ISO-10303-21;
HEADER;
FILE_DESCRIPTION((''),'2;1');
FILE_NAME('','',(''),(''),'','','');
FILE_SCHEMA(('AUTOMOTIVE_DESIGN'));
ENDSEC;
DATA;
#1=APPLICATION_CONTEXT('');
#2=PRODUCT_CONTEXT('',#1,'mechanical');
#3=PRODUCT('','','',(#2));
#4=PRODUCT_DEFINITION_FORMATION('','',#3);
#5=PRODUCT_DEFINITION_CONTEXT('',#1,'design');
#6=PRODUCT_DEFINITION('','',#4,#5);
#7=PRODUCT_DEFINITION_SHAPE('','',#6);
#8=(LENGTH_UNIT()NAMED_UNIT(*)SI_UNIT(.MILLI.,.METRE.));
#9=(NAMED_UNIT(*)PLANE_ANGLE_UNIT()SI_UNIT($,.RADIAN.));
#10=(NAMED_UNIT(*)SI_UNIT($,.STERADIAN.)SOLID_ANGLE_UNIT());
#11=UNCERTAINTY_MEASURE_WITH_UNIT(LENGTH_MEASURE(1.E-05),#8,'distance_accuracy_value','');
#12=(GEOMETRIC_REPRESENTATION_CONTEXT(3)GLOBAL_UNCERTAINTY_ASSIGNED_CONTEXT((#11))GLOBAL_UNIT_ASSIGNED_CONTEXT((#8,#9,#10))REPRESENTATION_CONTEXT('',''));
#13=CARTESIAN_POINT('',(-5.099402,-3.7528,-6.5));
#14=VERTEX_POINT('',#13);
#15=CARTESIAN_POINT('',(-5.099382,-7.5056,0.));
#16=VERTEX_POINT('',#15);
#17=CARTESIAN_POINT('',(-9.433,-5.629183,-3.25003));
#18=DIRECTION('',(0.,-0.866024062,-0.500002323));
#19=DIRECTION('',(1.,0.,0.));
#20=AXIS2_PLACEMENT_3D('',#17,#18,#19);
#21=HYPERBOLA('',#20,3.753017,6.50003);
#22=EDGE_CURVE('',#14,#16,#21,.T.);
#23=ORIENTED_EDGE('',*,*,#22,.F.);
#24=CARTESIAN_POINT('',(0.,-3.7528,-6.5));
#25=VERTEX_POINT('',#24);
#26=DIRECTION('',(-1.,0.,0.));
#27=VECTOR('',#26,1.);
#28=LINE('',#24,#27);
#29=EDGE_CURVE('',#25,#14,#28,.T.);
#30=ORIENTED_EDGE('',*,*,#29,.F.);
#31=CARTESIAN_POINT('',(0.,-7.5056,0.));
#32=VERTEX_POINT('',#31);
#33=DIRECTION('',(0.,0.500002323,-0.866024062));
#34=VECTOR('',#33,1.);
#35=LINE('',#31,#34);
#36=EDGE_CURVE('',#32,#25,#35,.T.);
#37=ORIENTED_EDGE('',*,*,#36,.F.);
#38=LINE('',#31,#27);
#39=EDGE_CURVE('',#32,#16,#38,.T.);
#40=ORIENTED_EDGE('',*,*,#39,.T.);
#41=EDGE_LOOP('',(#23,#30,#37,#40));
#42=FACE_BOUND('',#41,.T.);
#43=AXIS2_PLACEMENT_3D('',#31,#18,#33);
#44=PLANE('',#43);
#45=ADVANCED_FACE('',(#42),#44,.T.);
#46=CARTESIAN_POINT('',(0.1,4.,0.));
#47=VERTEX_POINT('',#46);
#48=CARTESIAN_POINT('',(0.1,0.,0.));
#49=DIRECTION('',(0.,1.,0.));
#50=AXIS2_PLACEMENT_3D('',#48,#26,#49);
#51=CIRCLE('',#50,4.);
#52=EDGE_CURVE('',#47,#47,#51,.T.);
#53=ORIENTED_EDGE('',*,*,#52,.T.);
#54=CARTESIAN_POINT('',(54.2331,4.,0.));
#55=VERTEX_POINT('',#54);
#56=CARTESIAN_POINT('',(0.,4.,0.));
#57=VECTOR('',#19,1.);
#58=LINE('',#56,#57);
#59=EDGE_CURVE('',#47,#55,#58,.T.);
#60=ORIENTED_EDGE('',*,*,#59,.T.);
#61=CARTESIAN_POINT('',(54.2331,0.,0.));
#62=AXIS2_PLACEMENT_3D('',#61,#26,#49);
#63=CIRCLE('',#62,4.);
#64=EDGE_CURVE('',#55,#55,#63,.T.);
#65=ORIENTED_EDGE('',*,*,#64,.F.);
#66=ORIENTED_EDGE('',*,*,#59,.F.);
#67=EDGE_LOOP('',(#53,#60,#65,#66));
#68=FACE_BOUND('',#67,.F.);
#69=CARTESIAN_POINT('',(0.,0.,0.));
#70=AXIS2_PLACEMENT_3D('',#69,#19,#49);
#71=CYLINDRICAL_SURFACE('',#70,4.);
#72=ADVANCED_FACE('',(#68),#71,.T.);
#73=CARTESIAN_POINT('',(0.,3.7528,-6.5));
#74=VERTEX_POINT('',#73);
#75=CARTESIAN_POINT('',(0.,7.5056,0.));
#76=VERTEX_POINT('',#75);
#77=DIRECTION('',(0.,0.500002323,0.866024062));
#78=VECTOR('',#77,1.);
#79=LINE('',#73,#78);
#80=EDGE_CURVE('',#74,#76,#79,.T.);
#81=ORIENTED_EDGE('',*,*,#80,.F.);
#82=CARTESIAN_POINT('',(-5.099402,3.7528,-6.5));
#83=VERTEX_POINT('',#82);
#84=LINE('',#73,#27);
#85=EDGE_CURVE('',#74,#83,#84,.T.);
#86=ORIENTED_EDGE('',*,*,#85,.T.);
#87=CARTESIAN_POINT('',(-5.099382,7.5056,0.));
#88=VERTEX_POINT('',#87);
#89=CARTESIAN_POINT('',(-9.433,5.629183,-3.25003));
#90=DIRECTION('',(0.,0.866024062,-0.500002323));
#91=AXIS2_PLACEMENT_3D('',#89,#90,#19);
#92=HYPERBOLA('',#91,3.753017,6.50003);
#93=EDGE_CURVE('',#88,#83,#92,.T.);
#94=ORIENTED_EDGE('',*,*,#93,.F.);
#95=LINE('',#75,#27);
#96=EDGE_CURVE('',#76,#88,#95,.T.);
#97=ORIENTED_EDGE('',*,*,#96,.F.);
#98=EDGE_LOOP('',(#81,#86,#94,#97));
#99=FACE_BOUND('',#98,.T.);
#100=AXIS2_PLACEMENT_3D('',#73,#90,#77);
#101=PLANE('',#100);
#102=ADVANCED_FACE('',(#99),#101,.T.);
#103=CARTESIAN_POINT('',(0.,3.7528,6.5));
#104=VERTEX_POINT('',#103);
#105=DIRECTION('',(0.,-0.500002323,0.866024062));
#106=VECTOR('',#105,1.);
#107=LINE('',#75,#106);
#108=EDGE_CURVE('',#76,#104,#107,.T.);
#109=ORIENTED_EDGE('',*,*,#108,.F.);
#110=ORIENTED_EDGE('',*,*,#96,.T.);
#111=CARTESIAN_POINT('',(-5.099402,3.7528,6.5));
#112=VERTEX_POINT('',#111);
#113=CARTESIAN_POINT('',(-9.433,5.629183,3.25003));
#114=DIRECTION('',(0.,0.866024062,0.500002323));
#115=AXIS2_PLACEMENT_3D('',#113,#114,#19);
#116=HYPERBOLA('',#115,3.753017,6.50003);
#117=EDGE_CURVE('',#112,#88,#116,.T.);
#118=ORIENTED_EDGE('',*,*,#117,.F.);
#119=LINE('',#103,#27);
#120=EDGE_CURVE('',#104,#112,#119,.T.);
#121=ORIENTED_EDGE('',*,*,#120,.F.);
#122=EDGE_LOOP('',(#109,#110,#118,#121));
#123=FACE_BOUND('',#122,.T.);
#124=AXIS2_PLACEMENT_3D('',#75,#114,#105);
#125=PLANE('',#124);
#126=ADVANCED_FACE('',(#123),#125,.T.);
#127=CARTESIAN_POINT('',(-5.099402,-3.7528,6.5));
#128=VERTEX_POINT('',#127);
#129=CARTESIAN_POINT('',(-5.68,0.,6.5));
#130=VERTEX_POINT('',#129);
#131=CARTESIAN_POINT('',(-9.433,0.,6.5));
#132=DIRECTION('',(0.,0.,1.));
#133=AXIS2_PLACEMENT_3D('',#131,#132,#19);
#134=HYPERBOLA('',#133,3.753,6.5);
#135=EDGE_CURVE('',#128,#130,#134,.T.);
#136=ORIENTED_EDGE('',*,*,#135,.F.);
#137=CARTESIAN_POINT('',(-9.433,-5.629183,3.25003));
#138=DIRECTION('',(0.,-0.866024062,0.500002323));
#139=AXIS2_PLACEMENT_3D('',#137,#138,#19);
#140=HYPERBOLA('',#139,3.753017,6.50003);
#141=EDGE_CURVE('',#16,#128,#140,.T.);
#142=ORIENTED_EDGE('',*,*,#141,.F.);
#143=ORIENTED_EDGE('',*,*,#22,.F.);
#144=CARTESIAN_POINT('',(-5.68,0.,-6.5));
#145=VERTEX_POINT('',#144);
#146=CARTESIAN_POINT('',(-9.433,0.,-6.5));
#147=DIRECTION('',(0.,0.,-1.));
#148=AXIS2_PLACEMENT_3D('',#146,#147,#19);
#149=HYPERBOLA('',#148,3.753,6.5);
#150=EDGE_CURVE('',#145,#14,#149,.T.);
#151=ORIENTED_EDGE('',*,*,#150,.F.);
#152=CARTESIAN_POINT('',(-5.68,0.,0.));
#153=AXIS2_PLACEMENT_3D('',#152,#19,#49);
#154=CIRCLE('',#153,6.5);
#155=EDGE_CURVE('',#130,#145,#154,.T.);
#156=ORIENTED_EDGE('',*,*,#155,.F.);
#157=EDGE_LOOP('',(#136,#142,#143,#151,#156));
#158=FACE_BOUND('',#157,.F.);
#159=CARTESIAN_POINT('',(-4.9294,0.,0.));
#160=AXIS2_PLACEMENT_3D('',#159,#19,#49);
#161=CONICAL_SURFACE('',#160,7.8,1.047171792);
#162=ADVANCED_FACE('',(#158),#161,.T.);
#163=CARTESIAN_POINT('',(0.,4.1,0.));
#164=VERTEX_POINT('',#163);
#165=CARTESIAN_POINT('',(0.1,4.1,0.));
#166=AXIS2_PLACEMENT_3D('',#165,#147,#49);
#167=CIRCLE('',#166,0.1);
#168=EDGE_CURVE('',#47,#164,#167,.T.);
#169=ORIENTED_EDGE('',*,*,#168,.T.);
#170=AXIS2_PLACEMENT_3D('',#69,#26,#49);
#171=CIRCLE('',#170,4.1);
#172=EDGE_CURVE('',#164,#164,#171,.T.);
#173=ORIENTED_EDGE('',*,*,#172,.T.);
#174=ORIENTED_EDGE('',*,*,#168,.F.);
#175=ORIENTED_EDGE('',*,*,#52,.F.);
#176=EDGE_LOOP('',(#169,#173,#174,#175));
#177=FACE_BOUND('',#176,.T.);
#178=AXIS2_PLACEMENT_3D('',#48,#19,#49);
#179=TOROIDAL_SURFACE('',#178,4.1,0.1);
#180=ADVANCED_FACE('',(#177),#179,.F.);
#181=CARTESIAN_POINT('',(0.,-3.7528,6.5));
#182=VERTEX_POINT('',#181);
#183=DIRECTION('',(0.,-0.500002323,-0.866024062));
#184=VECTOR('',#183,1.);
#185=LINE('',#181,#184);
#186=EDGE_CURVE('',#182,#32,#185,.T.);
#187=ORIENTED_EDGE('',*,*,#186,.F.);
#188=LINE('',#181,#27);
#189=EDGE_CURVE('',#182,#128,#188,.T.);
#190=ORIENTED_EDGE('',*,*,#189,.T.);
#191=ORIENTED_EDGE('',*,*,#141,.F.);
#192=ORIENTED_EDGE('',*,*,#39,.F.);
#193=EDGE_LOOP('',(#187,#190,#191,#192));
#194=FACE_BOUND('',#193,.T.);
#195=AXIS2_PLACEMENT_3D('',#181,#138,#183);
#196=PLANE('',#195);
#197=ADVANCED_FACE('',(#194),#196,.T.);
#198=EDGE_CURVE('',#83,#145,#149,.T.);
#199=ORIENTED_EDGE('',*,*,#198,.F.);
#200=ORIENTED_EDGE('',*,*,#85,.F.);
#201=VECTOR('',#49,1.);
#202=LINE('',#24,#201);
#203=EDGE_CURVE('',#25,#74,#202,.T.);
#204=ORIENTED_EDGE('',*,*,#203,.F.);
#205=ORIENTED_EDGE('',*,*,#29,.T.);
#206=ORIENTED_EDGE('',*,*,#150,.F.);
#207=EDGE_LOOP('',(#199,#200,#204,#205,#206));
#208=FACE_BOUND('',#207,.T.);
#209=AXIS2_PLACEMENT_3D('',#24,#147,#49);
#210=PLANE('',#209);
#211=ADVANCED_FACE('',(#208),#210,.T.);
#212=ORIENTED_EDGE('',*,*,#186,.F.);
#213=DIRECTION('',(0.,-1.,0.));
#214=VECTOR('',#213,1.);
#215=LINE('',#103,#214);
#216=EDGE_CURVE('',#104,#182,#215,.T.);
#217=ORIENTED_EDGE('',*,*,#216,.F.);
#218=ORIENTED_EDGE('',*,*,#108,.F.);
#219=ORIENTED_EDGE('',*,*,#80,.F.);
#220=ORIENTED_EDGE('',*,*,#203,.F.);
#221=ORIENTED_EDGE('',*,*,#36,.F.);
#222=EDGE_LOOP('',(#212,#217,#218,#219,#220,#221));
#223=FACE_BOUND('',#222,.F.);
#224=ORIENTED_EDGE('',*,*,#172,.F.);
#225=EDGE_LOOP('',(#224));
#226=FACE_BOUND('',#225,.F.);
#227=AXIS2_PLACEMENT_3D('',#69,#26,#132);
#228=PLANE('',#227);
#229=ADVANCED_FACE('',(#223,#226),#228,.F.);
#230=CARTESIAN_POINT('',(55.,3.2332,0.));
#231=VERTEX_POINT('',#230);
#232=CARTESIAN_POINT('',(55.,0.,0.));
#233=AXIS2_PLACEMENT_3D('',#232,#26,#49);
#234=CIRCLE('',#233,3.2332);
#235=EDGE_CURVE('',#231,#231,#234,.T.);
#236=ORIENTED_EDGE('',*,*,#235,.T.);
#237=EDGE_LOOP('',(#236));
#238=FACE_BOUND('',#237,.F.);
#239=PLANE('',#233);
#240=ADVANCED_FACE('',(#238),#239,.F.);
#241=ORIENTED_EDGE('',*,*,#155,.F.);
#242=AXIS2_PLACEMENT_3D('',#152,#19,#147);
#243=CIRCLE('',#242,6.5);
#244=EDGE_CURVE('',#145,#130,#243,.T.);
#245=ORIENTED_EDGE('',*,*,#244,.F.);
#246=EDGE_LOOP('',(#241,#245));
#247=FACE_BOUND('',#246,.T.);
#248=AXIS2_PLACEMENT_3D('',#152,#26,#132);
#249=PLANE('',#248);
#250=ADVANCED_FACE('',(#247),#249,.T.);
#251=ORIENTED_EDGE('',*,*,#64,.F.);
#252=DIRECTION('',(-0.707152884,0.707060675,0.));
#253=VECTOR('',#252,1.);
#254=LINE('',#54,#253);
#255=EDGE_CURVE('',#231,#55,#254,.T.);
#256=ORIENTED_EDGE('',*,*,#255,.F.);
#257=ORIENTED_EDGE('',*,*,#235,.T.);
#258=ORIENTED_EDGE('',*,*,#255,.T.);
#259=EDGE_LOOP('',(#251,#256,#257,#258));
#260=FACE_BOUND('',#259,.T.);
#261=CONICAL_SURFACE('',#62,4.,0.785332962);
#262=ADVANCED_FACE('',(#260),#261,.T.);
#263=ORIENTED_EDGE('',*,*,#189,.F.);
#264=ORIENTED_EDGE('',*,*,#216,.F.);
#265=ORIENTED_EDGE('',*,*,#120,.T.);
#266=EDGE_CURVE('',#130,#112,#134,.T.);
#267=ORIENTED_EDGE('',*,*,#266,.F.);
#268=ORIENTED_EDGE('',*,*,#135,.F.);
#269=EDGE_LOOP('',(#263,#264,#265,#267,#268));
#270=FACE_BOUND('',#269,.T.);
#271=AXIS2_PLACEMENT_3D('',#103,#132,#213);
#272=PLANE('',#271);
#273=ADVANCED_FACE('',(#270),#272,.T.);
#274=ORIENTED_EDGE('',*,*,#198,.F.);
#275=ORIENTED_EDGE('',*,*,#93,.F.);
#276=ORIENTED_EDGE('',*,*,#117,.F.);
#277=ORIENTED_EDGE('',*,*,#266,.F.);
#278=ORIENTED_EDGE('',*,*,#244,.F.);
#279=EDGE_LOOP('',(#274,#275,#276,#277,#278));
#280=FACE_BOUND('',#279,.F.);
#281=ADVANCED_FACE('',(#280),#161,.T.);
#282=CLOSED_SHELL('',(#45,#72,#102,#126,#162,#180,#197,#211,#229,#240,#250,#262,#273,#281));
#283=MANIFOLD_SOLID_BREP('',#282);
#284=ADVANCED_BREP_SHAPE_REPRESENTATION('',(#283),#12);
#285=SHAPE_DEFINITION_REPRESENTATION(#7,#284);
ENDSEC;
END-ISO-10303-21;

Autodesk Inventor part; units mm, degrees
ref_plane "YZ Plane" through (0, 0, 0) normal (1, 0, 0) x (0, 1, 0)
ref_plane "XZ Plane" through (0, 0, 0) normal (0, 1, 0) x (-1, 0, 0)
sketch "Sketch1" plane through (0, 0, 0) normal (0, 0, 1) x (1, 0, 0)
  line L0 (0, 4) -> (55, 4)
  line L1 (55, 4) -> (55, 0)
  line L2 (55, 0) -> (0, 0)
  line L3 (-0.4, 0) -> (2.4, 0) projected
  line L4 (0, -0.16) -> (0, 0.96) projected
  line L5 (0, 4) -> (0, 0)
  dimension "d2" = 8
  dimension "d59" = 55
revolve "Body" add sketch "Sketch1" angle 360 about axis through (55, 0, 0) along (-1, 0, 0)
sketch "Sketch2" plane through (0, 0, 0) normal (-1, 0, 0) x (0, 0, 1)
  line L0 (0, 7.5056) -> (6.5, 3.7528)
  line L1 (6.5, 3.7528) -> (6.5, -3.7528)
  line L2 (6.5, -3.7528) -> (0, -7.5056)
  line L3 (0, -7.5056) -> (-6.5, -3.7528)
  line L4 (-6.5, -3.7528) -> (-6.5, 3.7528)
  line L5 (-6.5, 3.7528) -> (0, 7.5056)
  line L6 (-5.6, 0) -> (5.6, 0) projected
  line L7 (0, 5.6) -> (0, -5.6) projected
  point P0 (0, 0)
  point P1 (0, 0)
  dimension "d11" = 13
extrude "Head" add sketch "Sketch2" along normal blind 5.68
sketch "Sketch4" plane through (0, 0, 0) normal (0, 0, 1) x (1, 0, 0)
  line L0 (-4.9294, 7.8) -> (-5.68, 6.5)
  line L1 (-1.1, 0) -> (-0.234, 0)
  line L2 (-1.2732, 0) -> (-0.0608, 0) projected
  line L3 (-5.68, 7.8) -> (-4.9294, 7.8)
  line L4 (-5.68, 6.5) -> (-5.68, 7.8)
  line L5 (0, 2.16) -> (0, -0.36) projected
  dimension "d65" = 13
  dimension "d67" = 30
  dimension "d68" = 15.6
  dimension "d69" = 5.68
revolve "Chamfer1" cut sketch "Sketch4" angle 360 about axis through (-1.1, 0, 0) along (1, 0, 0)
thread "Thread" size "M1.6x0.35" class "6g" standard "ANSI Metric M Profile" length 22
chamfer "Chamfer2" distance 0.7668 distance2 0.7669 1 edges at (55, -4, 0) measured on face at (55, -1.1806, 1.575)
fillet "Fillet" radius 0.1 1 edges at (0, -4, 0)
ref_plane "Work Plane1" through (1.525, 0, 0) normal (0, 0, 1) x (1, 0, 0)
equation "\"d2\" = GD"
equation "\"d59\" = NLG"
equation "\"d11\" = SW"
equation "\"d3\" = KOH"
equation "\"d15\" = GEL"
equation "\"d6\" = -0.5 * SPD + 0.5 * GD"
equation "\"d71\" = RR"
equation "\"d65\" = SW"
equation "\"d67\" = ANG1"
equation "\"d68\" = 1.2 * SW"
equation "\"d69\" = KOH"
equation "\"NLG\" = 55"
equation "\"GD\" = NND"
equation "\"BDM\" = NND"
equation "\"KOH\" = 5.68"
equation "\"GEL\" = 22"
equation "\"SW\" = 13"
equation "\"SW0\" = SW"
equation "\"SPD\" = NND - 1.2269 * PTC"
equation "\"SD2\" = NND"
equation "\"SD\" = 0"
equation "\"ANG1\" = 30deg"
equation "\"GAL\" = 0.61345 * PTC"
equation "\"GUL\" = 0.61345 * PTC"
equation "\"RR\" = 0.1"
equation "\"RR1\" = 0.4"
equation "\"GD1\" = THREADDIA - 1.2269 * PTC"
equation "\"THREADDIA\" = 8"
equation "\"TOA\" = 30deg"
equation "\"PTC\" = 1.25"
equation "\"KOH1\" = 3.7"
equation "\"NND\" = 8"
equation "\"E0\" = 1.155 * SW"
properties part number "ANSI B18.2.3.5M - M8 x 1.25 x 55" material "Steel, Mild"
